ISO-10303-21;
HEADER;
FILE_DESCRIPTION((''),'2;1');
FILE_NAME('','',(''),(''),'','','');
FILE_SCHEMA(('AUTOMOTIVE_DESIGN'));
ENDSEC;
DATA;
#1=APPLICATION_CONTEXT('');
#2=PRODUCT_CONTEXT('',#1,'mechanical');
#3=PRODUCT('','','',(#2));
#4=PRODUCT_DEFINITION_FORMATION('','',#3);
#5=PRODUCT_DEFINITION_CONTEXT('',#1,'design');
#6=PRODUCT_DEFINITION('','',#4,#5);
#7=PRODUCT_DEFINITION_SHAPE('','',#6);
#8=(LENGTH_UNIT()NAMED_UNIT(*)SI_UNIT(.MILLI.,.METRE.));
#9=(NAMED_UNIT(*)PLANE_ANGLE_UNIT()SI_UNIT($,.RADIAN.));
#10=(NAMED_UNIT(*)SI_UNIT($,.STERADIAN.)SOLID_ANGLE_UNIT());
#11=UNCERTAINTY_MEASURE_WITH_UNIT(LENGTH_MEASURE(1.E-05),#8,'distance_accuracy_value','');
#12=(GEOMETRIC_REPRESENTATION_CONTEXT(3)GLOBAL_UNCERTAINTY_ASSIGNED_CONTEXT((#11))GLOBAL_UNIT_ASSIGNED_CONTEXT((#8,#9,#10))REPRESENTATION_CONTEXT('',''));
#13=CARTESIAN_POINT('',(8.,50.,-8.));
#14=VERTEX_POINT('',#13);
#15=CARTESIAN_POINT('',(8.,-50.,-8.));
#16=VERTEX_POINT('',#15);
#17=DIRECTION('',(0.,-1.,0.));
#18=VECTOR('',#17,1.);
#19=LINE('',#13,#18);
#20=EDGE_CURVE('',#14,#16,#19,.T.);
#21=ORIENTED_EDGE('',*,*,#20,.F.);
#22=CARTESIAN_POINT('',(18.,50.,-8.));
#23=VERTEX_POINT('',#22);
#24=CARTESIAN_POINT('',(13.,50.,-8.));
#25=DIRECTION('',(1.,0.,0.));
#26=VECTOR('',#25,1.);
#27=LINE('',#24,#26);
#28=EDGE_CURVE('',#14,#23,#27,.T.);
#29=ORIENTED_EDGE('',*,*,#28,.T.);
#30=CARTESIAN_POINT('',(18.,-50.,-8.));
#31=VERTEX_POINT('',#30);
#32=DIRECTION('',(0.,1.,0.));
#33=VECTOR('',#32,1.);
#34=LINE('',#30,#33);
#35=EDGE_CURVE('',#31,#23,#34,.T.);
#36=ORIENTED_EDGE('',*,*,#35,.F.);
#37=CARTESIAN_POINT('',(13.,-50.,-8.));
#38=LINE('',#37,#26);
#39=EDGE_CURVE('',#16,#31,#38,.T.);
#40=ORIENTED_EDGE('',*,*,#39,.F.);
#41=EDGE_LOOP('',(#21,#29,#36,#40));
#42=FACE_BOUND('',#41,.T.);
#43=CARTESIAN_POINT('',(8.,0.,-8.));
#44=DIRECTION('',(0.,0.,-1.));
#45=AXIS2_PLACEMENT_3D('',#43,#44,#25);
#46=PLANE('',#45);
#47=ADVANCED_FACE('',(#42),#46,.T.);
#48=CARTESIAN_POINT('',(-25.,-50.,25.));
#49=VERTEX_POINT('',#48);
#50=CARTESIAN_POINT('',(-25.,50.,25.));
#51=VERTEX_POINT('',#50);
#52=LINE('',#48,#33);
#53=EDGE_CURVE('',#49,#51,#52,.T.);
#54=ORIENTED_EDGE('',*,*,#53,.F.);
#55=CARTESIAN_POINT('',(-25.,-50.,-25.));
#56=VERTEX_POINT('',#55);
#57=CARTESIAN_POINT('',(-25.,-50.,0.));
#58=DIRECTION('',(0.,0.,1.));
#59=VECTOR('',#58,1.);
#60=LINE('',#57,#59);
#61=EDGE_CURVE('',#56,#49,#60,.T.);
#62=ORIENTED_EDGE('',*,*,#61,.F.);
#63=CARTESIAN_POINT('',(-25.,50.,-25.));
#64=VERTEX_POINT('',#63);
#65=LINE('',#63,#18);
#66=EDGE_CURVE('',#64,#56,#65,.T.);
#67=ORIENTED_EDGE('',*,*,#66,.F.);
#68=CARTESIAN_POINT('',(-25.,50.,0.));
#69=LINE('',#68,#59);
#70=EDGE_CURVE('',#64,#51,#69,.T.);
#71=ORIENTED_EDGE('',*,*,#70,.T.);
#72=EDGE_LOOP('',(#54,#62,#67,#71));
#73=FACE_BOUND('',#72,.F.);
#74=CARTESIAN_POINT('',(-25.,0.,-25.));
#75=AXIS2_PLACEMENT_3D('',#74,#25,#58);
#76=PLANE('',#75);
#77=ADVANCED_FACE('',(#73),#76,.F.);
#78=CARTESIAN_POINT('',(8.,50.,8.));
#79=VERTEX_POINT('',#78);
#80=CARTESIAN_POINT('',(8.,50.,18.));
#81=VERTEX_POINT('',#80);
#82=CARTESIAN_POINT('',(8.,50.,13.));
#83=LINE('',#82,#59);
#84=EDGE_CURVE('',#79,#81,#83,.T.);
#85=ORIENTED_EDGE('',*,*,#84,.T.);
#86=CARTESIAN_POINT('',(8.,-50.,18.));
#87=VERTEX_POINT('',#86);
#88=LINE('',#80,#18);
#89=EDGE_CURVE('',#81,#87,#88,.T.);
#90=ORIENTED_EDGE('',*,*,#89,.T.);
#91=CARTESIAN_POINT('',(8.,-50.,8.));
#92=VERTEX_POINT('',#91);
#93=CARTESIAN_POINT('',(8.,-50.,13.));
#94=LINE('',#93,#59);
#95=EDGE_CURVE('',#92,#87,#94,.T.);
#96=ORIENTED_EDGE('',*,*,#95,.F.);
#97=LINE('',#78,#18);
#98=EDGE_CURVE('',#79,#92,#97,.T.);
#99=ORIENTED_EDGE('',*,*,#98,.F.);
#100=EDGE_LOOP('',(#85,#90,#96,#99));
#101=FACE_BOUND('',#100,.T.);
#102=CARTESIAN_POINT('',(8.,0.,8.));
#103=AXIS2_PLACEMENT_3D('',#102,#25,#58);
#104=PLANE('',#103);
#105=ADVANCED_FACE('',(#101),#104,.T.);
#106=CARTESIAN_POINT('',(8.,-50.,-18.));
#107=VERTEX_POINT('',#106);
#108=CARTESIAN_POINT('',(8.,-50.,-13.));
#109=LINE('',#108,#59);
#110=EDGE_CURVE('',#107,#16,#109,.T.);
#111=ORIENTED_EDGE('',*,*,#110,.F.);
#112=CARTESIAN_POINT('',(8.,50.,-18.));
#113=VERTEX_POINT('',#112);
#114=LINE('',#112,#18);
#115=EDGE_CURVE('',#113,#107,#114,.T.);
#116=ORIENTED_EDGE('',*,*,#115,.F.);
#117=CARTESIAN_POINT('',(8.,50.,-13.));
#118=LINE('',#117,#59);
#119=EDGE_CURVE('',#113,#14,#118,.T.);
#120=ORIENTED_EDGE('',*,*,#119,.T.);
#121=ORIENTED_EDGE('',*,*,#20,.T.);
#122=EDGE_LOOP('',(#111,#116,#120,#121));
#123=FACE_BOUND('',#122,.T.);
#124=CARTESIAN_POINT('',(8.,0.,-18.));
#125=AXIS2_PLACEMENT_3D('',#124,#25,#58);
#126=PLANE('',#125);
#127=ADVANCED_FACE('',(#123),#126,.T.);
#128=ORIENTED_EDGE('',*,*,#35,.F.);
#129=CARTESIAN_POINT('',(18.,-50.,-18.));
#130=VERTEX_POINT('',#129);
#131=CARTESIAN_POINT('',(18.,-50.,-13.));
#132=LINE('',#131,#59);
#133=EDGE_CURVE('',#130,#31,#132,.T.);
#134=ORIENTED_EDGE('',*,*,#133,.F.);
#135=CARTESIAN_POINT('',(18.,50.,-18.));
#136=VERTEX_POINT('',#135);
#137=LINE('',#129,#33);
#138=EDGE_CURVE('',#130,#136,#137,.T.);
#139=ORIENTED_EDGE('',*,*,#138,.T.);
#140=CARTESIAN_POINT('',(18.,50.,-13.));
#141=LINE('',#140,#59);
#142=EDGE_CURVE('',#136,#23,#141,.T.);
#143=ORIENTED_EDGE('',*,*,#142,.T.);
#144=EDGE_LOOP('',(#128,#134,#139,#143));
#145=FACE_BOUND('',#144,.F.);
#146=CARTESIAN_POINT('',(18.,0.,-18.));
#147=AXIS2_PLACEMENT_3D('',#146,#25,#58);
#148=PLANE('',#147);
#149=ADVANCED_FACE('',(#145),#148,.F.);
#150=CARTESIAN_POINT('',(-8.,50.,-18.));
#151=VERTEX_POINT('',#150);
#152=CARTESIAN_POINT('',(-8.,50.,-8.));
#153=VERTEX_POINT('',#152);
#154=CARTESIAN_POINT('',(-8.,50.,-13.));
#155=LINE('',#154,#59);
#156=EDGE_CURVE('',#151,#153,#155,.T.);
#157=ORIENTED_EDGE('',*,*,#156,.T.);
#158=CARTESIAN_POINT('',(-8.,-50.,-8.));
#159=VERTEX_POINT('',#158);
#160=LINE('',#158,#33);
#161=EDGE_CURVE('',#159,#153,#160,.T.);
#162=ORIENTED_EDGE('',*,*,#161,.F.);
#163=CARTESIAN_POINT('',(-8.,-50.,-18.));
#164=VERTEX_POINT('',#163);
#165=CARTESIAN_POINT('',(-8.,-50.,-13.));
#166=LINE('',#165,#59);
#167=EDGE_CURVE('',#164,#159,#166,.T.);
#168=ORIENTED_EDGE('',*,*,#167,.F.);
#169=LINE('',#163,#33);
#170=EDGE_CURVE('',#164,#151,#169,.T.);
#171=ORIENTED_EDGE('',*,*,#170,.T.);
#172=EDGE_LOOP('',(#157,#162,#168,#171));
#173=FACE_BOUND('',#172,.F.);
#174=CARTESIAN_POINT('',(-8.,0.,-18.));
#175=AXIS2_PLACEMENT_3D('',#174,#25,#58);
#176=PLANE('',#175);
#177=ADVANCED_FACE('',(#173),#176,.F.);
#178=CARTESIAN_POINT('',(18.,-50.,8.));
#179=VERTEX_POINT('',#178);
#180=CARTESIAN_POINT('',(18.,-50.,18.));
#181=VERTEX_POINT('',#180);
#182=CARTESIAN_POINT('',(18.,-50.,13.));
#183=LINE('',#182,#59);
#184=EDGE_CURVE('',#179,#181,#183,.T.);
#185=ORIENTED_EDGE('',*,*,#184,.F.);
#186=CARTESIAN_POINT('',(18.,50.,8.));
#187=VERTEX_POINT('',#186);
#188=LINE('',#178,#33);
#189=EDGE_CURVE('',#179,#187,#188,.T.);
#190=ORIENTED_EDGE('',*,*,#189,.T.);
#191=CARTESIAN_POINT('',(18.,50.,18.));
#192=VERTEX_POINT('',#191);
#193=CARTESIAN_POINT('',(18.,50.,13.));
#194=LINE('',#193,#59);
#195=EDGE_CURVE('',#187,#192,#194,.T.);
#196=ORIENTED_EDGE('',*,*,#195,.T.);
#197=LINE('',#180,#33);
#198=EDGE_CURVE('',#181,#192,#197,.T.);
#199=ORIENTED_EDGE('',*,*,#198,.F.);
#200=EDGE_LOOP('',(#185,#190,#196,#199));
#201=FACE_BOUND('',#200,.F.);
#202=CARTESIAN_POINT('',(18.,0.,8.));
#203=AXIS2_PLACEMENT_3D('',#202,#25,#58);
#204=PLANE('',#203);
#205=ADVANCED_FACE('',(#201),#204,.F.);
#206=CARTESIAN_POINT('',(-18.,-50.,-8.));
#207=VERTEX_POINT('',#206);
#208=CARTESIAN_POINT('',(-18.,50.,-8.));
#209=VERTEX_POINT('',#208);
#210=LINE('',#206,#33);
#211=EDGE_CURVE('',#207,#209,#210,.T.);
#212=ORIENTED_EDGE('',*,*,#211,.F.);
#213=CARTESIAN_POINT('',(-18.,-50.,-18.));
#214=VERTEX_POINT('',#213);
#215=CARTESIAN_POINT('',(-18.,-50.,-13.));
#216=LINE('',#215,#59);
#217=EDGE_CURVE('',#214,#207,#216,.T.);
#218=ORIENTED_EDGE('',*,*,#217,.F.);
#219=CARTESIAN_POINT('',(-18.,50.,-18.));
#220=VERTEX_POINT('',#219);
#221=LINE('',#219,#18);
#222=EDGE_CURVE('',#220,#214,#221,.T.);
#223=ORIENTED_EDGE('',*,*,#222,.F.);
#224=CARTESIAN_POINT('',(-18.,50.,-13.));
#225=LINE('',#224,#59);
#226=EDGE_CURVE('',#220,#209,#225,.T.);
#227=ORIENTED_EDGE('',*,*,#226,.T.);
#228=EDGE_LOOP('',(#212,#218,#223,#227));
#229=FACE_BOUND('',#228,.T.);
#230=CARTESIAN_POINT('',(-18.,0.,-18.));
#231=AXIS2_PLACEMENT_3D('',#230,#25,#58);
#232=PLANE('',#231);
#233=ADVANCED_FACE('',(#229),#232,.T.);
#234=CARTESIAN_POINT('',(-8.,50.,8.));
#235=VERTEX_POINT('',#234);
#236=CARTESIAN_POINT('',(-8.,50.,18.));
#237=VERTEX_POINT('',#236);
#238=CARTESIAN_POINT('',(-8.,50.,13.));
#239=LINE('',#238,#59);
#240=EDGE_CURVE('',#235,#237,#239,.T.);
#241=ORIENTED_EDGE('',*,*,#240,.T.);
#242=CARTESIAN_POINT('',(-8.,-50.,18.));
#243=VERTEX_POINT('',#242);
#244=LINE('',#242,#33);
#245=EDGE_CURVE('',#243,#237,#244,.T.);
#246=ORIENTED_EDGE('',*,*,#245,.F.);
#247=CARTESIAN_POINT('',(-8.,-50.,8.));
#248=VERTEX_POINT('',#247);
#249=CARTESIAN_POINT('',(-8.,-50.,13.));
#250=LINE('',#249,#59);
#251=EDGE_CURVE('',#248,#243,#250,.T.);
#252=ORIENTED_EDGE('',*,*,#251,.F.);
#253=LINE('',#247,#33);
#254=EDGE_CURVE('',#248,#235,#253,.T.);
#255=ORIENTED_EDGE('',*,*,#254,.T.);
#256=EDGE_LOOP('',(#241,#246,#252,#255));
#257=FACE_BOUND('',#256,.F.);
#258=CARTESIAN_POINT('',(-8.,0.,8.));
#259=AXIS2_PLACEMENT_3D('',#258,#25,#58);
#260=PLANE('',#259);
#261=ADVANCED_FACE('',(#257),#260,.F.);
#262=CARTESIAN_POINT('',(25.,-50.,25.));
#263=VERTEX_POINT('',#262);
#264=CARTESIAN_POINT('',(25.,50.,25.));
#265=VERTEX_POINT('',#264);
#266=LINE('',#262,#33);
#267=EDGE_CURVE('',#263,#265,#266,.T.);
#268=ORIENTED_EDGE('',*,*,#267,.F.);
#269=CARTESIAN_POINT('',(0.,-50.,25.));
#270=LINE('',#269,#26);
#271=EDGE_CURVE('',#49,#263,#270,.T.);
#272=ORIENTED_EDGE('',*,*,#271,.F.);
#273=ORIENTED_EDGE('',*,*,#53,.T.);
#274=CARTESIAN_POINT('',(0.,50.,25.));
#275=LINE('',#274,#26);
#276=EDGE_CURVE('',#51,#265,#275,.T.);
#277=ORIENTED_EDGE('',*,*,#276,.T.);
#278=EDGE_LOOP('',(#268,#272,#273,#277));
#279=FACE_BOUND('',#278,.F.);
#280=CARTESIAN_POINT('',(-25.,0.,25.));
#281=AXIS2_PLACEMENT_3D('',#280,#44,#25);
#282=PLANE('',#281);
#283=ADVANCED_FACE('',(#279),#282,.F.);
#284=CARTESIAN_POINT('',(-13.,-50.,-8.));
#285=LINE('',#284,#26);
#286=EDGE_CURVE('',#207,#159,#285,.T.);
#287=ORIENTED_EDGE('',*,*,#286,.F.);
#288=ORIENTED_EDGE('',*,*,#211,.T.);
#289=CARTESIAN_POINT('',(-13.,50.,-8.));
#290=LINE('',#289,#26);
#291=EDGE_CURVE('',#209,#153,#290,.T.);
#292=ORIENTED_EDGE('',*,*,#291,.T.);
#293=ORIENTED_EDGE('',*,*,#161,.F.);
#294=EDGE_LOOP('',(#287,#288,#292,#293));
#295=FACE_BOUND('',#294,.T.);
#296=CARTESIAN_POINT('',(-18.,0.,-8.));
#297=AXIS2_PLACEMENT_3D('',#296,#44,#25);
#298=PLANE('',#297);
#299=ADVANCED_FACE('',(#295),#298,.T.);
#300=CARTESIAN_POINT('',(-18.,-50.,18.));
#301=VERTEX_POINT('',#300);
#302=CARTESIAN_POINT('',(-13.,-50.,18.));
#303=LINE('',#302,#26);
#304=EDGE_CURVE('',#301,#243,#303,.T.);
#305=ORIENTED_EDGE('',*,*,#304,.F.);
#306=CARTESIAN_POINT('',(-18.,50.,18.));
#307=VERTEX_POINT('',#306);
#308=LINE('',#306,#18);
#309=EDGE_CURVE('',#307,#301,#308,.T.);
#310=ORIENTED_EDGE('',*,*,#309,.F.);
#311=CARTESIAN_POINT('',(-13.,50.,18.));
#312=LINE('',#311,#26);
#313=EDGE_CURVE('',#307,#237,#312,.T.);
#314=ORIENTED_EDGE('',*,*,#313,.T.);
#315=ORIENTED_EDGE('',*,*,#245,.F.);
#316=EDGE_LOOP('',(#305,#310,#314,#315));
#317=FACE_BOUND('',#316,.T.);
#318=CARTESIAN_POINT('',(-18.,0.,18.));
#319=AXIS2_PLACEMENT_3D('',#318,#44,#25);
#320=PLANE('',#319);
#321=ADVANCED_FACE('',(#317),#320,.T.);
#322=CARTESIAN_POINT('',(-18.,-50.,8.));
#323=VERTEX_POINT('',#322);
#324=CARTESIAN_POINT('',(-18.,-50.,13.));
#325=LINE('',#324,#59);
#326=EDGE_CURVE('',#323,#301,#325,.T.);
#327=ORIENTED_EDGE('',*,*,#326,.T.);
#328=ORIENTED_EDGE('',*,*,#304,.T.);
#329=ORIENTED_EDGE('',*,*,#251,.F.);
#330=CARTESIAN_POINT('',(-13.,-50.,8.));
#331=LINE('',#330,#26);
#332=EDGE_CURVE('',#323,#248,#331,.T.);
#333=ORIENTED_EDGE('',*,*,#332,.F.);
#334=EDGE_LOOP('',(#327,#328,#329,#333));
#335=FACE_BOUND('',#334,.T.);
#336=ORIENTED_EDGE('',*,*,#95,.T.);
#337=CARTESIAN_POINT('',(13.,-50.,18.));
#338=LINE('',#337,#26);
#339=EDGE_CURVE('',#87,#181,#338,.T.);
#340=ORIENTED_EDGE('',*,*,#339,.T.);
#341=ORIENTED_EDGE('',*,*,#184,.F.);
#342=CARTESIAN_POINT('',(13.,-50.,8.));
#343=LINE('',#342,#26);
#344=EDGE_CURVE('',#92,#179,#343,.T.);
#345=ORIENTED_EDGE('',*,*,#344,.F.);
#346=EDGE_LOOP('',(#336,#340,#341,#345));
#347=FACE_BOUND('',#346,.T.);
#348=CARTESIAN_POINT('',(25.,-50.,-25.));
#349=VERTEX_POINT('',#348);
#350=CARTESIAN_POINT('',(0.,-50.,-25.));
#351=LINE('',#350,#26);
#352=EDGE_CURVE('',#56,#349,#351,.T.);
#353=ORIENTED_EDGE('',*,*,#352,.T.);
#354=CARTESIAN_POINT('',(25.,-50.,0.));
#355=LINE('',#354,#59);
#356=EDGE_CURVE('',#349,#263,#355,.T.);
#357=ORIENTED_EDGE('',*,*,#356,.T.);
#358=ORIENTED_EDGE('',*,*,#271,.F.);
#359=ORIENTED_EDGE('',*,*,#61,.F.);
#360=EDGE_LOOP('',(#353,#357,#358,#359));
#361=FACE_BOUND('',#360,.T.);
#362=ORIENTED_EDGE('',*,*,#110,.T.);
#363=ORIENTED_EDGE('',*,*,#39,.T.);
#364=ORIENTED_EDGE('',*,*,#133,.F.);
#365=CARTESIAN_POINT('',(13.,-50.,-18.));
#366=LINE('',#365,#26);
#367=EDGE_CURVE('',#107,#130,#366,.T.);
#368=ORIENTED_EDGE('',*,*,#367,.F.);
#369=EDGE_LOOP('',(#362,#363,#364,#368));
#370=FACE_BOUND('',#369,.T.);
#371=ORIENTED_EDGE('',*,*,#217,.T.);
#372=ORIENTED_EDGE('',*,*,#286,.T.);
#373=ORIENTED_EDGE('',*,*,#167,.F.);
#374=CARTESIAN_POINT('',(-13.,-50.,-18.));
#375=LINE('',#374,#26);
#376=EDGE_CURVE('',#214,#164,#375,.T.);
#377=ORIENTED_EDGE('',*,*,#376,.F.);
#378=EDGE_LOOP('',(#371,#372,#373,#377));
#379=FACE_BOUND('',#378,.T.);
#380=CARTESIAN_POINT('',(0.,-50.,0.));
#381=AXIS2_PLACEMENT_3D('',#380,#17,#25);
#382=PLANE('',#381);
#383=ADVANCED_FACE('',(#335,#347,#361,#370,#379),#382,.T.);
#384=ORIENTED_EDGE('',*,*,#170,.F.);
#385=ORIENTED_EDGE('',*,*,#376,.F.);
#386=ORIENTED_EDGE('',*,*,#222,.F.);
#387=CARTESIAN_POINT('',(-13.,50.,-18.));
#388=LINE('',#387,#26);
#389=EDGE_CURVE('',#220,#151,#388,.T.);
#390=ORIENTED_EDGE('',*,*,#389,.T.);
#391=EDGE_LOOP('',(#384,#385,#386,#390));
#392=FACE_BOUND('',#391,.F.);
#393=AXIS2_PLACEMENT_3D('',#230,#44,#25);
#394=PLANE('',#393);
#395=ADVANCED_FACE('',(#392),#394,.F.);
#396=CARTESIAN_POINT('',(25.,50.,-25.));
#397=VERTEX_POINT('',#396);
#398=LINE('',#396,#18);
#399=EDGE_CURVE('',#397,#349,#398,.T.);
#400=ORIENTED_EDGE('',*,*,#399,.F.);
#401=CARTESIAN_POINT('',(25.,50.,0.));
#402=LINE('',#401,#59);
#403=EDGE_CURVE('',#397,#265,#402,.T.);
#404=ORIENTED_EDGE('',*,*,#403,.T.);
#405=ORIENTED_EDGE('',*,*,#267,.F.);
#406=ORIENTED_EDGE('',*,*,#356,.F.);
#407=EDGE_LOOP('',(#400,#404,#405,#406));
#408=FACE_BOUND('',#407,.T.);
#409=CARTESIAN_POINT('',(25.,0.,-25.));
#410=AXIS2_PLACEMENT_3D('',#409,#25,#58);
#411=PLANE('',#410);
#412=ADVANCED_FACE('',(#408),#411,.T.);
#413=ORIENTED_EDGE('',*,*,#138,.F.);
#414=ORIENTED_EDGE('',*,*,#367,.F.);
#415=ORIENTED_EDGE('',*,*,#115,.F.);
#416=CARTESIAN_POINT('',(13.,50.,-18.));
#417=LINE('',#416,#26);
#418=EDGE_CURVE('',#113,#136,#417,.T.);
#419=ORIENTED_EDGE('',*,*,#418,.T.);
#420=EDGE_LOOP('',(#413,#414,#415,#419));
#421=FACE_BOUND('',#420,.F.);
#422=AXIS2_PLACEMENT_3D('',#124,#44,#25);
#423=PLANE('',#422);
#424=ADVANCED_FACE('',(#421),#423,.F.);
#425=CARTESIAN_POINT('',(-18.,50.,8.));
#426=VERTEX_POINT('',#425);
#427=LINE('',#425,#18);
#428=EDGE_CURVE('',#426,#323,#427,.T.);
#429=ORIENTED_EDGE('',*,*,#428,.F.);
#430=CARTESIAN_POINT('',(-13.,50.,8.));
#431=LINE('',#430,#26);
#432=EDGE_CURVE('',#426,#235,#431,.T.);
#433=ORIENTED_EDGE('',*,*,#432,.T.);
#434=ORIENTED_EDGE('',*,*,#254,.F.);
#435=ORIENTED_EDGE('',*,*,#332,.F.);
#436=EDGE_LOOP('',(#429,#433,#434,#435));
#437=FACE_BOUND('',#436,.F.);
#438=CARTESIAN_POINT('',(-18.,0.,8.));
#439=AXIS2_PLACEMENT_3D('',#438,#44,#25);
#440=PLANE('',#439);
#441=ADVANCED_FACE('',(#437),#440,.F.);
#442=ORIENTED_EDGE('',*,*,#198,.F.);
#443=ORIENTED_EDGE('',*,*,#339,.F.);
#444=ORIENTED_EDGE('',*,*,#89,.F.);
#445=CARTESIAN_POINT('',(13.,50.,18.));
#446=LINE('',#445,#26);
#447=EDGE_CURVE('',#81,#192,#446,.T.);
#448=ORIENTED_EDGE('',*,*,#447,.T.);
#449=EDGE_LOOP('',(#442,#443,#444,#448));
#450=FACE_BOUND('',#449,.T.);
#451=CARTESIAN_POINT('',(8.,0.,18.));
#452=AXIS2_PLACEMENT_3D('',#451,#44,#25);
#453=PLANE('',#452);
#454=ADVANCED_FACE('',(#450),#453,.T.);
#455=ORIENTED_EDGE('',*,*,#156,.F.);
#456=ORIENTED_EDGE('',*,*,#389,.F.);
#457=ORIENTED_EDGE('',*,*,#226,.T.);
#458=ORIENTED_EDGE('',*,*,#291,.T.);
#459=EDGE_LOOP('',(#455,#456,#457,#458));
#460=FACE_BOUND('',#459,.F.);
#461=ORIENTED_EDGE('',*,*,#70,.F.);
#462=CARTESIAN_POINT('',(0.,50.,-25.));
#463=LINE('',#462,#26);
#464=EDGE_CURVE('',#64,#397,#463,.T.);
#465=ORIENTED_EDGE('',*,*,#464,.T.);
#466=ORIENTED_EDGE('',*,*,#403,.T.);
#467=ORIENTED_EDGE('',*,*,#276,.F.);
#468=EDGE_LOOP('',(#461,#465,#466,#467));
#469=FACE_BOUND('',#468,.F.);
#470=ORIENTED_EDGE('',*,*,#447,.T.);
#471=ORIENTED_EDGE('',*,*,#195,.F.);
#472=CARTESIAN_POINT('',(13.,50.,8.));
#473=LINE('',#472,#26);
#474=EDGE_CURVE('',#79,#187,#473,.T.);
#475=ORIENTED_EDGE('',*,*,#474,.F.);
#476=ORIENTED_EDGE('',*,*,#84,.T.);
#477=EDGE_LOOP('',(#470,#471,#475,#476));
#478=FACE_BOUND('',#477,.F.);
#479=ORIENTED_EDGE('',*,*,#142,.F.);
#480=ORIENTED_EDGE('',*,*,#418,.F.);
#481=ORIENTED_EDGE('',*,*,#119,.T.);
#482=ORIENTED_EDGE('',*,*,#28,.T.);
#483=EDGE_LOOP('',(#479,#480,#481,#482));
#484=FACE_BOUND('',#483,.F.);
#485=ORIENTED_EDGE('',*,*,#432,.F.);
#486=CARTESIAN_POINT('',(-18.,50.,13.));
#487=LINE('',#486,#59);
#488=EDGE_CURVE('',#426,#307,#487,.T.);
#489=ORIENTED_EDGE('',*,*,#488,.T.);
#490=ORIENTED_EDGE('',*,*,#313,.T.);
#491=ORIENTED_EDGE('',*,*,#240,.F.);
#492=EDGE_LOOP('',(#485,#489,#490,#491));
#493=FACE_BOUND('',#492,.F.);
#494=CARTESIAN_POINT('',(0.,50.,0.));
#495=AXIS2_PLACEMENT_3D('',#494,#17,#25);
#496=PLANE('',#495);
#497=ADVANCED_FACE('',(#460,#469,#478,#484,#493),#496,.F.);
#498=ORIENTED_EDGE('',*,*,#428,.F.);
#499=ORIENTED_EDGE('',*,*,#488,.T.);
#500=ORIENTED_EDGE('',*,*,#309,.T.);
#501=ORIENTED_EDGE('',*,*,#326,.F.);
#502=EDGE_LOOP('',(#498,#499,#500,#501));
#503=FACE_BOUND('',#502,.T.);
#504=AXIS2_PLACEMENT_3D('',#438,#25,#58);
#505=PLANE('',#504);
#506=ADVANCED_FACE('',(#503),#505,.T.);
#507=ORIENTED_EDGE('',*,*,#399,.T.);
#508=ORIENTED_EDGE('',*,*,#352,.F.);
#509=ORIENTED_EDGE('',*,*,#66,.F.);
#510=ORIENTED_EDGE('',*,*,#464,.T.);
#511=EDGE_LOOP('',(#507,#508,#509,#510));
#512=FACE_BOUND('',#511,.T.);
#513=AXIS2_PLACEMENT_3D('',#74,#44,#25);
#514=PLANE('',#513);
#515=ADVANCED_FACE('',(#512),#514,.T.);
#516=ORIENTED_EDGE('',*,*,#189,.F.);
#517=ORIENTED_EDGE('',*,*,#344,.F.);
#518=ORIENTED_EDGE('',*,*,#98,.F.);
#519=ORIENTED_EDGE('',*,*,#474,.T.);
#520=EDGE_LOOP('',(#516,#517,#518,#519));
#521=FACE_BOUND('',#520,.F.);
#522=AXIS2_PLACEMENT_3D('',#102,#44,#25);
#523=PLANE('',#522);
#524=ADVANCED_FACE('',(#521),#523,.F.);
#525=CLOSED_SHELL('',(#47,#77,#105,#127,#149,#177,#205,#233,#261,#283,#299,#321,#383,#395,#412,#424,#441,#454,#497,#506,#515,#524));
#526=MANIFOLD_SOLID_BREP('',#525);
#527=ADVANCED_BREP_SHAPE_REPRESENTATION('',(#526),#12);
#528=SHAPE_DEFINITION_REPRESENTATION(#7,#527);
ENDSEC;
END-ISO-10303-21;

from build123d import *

# Parameters (mm, degrees)
SKETCH002_W   = 50
SKETCH002_H   = 50
SKETCH002_W_2 = 10
SKETCH002_H_2 = 10
PAD_DEPTH     = 50


with BuildPart() as part:
    # Sketch002 → Pad (new body, symmetric)
    with BuildSketch(Plane.XZ):
        Rectangle(SKETCH002_W, SKETCH002_H)
        with Locations((-13, 13)):
            Rectangle(SKETCH002_W_2, SKETCH002_H_2, mode=Mode.SUBTRACT)
        with Locations((13, 13)):
            Rectangle(SKETCH002_W_2, SKETCH002_H_2, mode=Mode.SUBTRACT)
        with Locations((13, -13)):
            Rectangle(SKETCH002_W_2, SKETCH002_H_2, mode=Mode.SUBTRACT)
        with Locations((-13, -13)):
            Rectangle(SKETCH002_W_2, SKETCH002_H_2, mode=Mode.SUBTRACT)
    extrude(amount=PAD_DEPTH, both=True)


solid = part.part
